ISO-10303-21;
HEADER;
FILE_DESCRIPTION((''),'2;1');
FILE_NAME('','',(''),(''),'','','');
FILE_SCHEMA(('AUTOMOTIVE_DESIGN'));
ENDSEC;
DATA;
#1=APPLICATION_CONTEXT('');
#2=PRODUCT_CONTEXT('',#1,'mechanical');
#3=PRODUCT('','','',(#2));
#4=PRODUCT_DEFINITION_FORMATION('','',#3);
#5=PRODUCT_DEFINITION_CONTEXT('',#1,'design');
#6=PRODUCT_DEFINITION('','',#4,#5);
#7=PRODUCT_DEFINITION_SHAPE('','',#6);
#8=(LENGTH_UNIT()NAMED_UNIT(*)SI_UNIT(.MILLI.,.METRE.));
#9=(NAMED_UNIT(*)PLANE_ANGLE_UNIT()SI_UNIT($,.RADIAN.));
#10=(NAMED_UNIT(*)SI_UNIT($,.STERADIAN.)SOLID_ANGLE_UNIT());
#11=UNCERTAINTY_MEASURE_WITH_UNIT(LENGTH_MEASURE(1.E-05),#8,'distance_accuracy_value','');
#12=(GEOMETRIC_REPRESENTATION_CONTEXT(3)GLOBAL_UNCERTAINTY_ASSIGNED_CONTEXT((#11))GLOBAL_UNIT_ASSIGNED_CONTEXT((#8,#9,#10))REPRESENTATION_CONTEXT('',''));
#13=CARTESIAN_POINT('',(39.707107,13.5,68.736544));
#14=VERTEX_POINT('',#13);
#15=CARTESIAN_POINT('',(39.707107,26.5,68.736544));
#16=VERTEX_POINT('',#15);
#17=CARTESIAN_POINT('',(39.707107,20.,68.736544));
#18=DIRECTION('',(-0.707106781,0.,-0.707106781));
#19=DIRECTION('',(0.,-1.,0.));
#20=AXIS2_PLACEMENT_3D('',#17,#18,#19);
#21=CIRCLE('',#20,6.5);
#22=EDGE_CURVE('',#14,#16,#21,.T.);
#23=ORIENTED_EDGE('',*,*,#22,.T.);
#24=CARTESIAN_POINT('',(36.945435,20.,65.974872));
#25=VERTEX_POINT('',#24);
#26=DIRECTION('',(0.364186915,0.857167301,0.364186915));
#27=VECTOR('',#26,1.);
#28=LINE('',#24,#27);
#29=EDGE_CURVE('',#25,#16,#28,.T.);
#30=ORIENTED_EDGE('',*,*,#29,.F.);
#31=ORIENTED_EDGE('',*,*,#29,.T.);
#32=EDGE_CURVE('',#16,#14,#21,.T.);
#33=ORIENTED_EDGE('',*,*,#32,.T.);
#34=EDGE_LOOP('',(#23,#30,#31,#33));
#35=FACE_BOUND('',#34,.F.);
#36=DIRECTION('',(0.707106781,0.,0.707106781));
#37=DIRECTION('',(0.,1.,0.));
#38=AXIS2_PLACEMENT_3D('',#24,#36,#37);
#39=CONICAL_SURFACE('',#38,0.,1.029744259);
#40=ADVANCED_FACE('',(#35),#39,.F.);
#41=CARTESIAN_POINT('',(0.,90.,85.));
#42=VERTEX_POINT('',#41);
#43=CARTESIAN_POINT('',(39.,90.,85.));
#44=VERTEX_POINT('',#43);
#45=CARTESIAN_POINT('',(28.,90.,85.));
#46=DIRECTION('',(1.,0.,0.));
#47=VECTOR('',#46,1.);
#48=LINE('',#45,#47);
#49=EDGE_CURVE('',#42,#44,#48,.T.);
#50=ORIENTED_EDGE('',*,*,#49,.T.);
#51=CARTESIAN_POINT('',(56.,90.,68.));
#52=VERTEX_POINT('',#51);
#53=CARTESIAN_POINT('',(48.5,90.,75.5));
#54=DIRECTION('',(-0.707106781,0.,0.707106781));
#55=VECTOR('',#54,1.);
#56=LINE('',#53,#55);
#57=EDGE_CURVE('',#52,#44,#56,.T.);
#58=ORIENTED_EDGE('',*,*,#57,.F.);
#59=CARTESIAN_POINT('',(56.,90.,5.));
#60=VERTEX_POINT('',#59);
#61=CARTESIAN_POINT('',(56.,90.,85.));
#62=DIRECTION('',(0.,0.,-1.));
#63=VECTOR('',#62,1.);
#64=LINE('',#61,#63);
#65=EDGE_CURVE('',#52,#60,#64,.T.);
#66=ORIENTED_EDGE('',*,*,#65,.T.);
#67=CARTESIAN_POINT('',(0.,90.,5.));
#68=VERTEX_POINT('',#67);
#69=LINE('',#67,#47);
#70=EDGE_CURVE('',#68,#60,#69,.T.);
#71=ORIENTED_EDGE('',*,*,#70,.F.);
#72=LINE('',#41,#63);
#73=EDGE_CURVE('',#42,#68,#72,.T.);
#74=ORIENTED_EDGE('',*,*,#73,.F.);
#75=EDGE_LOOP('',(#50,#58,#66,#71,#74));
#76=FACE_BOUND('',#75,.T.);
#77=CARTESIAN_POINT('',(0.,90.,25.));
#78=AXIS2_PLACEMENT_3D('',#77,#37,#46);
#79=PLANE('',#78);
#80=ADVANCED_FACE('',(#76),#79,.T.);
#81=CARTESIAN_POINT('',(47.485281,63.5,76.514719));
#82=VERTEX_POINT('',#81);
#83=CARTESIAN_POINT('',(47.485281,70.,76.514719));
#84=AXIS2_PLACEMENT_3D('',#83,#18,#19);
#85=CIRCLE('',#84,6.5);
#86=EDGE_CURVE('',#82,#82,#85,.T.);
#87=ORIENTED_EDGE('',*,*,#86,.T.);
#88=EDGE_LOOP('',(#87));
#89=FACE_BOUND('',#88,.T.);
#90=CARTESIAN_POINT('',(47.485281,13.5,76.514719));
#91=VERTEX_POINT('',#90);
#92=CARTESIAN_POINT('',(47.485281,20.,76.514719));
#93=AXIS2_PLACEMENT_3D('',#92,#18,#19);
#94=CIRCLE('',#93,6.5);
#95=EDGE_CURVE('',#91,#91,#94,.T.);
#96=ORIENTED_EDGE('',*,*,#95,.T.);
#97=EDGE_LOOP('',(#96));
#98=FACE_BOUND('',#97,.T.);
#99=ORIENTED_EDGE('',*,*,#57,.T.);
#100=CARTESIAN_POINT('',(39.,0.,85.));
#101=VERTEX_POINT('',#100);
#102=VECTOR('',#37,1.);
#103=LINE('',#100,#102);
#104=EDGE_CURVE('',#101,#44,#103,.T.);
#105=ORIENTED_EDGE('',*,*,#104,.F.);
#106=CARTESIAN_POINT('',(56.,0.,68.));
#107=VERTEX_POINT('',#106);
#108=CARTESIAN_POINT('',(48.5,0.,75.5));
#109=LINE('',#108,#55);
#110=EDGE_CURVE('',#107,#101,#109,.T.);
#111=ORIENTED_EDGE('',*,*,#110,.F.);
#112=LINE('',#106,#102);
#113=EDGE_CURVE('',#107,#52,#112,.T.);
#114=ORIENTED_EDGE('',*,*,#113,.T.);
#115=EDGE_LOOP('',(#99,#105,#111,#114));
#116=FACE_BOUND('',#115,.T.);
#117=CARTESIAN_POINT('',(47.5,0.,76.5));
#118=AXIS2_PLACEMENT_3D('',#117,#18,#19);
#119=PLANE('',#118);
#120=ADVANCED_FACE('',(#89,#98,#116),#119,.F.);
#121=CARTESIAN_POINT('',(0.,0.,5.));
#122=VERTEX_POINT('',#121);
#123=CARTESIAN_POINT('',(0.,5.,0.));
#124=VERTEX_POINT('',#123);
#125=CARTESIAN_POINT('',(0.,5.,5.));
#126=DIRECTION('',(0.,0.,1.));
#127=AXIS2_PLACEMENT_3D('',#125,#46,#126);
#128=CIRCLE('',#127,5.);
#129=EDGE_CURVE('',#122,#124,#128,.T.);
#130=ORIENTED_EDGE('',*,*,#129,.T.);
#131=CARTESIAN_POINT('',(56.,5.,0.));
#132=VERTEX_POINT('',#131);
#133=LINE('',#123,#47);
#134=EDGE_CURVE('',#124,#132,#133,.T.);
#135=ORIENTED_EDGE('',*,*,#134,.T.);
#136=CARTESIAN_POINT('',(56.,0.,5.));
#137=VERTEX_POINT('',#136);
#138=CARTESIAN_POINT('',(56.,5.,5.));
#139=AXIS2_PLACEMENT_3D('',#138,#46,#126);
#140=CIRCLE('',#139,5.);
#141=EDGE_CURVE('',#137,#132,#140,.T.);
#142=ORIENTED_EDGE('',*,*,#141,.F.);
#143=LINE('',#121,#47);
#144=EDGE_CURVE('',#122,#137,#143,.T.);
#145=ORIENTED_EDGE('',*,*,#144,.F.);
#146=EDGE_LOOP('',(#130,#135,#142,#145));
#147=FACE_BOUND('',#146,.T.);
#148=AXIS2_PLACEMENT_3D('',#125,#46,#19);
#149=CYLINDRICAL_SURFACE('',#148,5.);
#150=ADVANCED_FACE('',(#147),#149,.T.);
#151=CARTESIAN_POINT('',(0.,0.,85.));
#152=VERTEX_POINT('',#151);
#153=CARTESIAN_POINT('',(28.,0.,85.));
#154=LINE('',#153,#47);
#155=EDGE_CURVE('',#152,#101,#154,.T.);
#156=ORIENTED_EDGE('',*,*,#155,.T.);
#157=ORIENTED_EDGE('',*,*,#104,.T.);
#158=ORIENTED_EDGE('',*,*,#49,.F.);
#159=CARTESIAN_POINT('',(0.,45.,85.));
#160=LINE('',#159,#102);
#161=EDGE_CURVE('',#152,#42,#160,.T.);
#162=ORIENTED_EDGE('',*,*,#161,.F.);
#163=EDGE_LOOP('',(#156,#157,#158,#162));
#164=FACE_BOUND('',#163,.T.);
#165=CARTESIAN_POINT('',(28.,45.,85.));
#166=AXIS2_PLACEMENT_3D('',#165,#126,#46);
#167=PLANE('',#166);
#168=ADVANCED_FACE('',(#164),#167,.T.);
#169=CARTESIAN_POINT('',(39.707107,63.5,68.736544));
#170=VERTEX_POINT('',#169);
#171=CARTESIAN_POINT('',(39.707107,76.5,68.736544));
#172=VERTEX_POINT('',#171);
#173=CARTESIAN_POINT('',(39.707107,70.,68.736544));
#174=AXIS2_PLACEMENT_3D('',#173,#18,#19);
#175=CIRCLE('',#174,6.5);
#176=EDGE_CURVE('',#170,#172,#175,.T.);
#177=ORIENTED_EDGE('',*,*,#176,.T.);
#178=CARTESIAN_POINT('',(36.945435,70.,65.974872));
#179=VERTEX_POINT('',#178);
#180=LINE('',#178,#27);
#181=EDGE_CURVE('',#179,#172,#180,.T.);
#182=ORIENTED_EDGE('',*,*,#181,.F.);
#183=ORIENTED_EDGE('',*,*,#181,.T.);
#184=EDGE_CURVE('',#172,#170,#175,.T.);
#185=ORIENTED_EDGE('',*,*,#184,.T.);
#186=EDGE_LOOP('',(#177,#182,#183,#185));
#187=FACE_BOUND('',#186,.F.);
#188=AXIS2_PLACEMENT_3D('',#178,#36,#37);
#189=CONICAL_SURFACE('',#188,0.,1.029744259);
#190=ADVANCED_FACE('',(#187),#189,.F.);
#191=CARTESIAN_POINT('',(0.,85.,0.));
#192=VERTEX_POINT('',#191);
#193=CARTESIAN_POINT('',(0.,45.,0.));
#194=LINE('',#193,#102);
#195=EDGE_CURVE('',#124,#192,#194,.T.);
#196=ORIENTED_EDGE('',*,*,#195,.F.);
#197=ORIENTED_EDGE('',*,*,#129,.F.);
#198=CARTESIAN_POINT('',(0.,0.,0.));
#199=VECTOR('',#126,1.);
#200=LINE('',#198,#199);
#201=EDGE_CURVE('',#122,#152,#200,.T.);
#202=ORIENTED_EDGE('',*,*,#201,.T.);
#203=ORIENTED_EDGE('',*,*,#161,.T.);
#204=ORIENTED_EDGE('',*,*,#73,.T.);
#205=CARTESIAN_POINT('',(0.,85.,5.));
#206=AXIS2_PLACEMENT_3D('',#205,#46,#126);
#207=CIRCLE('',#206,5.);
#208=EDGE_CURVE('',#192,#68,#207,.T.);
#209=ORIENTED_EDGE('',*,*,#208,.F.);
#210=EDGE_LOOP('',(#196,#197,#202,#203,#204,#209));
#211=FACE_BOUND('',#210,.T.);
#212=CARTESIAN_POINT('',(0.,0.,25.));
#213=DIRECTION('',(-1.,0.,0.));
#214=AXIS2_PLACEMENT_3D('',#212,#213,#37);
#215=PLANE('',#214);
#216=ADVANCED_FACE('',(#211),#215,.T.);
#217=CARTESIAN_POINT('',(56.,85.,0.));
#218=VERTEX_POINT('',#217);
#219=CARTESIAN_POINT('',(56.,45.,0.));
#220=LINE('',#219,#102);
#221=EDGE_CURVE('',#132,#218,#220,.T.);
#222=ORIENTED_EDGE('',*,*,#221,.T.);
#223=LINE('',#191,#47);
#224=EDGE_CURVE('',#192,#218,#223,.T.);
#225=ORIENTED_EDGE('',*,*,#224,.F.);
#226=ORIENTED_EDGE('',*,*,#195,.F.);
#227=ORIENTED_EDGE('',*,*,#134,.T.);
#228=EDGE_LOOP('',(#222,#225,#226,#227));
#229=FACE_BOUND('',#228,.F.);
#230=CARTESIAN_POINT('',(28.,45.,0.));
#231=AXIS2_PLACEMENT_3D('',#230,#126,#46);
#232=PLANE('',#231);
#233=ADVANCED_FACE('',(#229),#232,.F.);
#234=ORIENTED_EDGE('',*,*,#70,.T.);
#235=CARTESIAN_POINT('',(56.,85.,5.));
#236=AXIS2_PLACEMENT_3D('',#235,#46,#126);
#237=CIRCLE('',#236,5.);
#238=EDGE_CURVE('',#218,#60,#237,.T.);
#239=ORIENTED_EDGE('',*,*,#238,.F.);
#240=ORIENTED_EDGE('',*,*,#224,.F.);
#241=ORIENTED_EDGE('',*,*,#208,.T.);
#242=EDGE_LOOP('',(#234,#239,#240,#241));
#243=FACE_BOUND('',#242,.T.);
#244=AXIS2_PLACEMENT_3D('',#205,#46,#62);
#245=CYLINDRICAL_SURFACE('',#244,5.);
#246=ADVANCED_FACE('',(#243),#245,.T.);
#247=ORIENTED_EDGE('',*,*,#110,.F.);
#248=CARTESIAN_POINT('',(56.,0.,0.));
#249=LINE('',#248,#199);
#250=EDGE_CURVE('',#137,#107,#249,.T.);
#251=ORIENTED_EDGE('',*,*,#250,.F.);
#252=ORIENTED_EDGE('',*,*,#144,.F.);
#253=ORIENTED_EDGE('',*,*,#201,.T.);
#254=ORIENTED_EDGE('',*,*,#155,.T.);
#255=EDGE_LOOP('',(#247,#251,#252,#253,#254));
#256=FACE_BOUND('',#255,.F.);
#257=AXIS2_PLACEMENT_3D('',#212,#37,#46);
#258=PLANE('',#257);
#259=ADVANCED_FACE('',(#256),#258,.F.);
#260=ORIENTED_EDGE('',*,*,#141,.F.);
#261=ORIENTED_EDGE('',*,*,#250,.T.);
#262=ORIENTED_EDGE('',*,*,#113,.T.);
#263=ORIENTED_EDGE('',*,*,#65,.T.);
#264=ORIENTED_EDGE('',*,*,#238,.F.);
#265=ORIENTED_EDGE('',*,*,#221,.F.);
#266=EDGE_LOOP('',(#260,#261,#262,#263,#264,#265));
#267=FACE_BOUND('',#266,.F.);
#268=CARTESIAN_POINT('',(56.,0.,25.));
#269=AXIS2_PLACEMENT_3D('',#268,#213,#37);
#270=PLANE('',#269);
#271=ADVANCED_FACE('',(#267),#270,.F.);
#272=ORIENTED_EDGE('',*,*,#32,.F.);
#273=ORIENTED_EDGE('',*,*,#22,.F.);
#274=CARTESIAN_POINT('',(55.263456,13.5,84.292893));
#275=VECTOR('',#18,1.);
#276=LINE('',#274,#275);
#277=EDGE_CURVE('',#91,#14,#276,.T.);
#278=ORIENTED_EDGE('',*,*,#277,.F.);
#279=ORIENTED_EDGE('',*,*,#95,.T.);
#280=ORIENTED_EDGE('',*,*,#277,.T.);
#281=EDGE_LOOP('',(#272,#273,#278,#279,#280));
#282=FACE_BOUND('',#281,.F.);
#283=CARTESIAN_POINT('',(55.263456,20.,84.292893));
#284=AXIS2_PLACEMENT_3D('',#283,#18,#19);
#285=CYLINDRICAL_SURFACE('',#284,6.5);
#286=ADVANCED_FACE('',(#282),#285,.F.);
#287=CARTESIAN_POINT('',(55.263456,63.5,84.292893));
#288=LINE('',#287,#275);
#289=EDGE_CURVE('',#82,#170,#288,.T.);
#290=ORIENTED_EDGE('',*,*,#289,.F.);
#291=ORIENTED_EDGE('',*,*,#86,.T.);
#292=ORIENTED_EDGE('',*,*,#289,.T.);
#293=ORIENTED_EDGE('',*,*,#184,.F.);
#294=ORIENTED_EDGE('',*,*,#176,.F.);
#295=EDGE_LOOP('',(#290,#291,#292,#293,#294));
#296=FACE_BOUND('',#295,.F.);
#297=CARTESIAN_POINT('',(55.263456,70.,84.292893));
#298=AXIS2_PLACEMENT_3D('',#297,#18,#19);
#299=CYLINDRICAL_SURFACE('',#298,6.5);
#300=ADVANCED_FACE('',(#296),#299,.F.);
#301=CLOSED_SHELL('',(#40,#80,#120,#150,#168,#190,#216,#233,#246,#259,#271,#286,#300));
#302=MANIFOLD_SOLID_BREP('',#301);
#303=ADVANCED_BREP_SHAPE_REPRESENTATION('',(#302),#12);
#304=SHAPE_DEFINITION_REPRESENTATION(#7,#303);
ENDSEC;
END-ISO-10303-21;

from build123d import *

# Parameters (mm, degrees)
F0_W     = 56
F0_H     = 90
F1_DEPTH = 25
F2_DEPTH = 60
F3_SIZE  = 17
F5_D     = 13
F5_DEPTH = 11
F5_TIP   = 3.9055940237
F6_R     = 5


with BuildPart() as f1:
    # F0 (on Top) → F1 (new body)
    with BuildSketch(Plane.XY):
        with Locations((28, 45)):
            Rectangle(F0_W, F0_H)
    extrude(amount=F1_DEPTH)

    # F2 (add): a face of the model
    f2_faces = [f1.faces().sort_by_distance(p)[0] for p in [
        (28, 45, 25),
    ]]
    extrude(f2_faces, amount=F2_DEPTH)

    # F3
    f3_edges = [f1.edges().sort_by_distance(p)[0] for p in [
        (56, 45, 85),
    ]]
    chamfer(f3_edges, length=F3_SIZE)

    # F5
    with Locations(Plane(origin=(62, 0, 62), x_dir=(0, 1, 0), z_dir=(0.7071067812, 0, 0.7071067812))):
        with Locations((20, 20.5269119346), (70, 20.5269119346)):
            Hole(F5_D / 2, depth=F5_DEPTH)
            with Locations((0, 0, -(F5_DEPTH + F5_TIP / 2))):  # 118° drill point
                Cone(0, F5_D / 2, F5_TIP, mode=Mode.SUBTRACT)

    # F6
    f6_edges = [f1.edges().sort_by_distance(p)[0] for p in [
        (28, 0, 0),
        (28, 90, 0),
    ]]
    fillet(f6_edges, radius=F6_R)


solid = f1.part
